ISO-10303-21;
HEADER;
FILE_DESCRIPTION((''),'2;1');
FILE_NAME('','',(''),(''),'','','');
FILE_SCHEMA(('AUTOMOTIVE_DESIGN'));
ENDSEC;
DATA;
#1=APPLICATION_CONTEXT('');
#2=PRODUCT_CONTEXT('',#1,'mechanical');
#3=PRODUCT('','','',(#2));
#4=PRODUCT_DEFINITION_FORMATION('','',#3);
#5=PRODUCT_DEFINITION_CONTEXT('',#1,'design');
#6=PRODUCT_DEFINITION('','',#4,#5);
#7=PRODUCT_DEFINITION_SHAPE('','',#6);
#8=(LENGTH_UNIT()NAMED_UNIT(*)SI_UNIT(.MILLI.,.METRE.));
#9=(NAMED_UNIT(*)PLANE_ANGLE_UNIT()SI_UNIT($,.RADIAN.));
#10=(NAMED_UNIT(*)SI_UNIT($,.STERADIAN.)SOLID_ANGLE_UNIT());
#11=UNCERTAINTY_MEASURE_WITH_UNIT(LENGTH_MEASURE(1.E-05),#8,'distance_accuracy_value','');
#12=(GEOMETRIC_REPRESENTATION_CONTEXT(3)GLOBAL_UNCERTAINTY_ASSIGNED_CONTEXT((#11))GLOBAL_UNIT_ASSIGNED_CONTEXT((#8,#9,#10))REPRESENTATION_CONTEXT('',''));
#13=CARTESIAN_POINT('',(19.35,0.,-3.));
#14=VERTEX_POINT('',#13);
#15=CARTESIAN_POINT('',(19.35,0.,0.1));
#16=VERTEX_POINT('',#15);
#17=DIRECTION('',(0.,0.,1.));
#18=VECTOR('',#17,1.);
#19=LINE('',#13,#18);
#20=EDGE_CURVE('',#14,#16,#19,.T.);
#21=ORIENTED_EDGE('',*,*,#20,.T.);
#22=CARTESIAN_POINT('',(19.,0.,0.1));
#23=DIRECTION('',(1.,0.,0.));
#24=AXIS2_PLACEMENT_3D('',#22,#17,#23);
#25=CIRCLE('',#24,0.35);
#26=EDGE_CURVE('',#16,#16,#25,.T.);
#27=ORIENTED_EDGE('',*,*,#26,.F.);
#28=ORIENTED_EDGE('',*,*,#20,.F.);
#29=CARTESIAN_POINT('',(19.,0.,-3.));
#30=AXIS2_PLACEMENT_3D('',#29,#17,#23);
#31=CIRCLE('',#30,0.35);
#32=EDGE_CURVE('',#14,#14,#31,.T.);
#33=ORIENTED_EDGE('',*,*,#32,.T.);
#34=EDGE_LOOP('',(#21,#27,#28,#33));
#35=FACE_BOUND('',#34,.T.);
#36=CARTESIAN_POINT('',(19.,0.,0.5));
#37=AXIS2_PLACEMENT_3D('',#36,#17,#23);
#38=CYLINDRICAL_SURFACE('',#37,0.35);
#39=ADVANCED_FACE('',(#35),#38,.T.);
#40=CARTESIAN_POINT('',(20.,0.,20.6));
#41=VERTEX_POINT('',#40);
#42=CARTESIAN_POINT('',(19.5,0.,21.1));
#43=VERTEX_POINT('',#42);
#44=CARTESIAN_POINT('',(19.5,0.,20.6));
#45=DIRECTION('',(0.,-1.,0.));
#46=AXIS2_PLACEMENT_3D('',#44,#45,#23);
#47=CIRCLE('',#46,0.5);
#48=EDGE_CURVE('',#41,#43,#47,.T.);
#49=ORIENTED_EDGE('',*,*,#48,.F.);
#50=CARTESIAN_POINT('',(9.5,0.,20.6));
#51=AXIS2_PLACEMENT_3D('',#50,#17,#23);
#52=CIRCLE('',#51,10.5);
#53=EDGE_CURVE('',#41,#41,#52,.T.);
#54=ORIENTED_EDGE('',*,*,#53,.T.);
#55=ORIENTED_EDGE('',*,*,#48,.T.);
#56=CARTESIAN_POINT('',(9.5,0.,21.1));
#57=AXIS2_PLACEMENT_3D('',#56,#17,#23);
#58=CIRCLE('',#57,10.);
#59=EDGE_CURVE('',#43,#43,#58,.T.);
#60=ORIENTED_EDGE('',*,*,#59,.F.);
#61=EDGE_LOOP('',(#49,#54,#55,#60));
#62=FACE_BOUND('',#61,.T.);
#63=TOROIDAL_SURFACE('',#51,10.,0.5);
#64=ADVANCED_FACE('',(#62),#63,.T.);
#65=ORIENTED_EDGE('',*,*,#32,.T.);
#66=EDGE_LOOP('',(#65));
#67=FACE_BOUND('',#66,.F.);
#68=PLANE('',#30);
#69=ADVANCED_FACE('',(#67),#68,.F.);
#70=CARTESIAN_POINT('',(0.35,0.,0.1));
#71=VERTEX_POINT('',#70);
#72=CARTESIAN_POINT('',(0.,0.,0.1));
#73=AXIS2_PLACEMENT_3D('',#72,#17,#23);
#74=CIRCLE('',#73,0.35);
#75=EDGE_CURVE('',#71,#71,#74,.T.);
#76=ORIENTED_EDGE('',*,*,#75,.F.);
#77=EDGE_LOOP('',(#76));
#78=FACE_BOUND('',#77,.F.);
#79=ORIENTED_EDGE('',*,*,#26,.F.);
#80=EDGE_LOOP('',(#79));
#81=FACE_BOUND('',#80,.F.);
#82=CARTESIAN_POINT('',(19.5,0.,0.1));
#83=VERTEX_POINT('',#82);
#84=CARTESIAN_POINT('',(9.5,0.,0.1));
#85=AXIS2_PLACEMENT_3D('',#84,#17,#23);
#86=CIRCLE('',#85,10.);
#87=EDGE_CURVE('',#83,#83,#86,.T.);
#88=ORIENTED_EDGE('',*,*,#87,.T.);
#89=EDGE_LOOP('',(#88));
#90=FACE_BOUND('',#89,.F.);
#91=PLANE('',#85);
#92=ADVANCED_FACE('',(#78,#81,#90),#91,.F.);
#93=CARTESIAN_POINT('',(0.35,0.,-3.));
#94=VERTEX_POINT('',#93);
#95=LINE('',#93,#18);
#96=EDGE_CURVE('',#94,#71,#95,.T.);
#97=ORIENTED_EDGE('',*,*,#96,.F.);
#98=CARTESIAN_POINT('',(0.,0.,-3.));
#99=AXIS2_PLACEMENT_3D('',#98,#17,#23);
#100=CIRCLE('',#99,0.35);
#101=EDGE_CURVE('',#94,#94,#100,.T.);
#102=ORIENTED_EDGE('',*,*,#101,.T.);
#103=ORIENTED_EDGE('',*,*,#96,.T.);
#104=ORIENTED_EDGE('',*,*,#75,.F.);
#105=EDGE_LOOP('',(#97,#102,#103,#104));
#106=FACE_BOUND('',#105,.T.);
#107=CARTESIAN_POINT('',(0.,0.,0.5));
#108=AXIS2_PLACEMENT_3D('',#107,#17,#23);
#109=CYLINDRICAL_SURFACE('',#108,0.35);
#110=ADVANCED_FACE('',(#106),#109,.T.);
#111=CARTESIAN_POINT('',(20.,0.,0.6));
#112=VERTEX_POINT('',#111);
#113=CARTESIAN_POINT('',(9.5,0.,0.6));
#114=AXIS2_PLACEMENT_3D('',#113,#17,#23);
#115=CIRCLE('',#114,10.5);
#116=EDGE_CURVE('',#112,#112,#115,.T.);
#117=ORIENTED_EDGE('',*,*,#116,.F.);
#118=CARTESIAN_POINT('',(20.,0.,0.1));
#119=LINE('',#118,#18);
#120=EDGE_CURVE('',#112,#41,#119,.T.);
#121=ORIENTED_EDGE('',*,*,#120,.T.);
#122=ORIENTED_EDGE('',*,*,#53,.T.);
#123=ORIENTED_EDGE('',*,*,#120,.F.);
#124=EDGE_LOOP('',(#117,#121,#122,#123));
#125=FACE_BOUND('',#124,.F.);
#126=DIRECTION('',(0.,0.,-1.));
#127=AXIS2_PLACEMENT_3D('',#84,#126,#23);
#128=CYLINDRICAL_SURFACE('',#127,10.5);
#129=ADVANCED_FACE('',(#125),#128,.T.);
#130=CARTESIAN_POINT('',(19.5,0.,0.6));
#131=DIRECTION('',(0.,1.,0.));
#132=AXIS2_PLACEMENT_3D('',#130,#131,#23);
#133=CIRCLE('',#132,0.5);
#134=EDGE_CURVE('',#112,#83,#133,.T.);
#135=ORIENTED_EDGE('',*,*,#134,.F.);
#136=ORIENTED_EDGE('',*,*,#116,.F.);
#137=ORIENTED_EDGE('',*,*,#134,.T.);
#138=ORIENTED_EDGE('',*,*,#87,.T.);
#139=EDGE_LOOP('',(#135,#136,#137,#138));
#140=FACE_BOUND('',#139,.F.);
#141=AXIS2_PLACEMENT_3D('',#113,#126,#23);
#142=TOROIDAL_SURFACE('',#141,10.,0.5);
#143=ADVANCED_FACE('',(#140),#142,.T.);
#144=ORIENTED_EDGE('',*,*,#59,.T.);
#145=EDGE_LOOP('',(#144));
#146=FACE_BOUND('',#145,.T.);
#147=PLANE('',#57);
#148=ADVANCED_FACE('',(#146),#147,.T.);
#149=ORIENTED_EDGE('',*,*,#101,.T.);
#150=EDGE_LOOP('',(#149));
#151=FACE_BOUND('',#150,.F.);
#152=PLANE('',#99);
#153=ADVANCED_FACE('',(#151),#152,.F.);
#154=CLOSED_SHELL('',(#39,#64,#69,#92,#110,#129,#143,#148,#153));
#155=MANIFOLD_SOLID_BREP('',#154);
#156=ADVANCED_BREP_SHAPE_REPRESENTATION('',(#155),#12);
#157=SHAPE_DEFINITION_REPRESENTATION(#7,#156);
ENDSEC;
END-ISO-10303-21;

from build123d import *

# Parameters (mm, degrees)
SKETCH001_R       = 0.35
PAD001_DEPTH      = 10.5
PAD001_DEPTH_BACK = 3.5
SKETCH_R          = 10.5
PAD_DEPTH         = 21
FILLET_R          = 0.5


with BuildPart() as pad001:
    # Sketch001 → Pad001 (new body, two sides)
    with BuildSketch(Plane.XY.offset(0.5)) as pad001_sk:
        Circle(SKETCH001_R)
        with Locations((19, 0)):
            Circle(SKETCH001_R)
    extrude(amount=PAD001_DEPTH)
    extrude(pad001_sk.sketch, amount=-PAD001_DEPTH_BACK)


with BuildPart() as l_radial_d21_0mm_p19_00mm:
    # Sketch → Pad (new body)
    with BuildSketch(Plane.XY.offset(0.1)):
        with Locations((9.5, 0)):
            Circle(SKETCH_R)
    extrude(amount=PAD_DEPTH)

    # Fillet
    fillet_edges = [l_radial_d21_0mm_p19_00mm.edges().sort_by_distance(p)[0] for p in [
        (-1, 0, 0.1),
        (-1, 0, 21.1),
    ]]
    fillet(fillet_edges, radius=FILLET_R)

    # Fillet_mp_cp: union Pad001
    add(pad001.part)


solid = l_radial_d21_0mm_p19_00mm.part
